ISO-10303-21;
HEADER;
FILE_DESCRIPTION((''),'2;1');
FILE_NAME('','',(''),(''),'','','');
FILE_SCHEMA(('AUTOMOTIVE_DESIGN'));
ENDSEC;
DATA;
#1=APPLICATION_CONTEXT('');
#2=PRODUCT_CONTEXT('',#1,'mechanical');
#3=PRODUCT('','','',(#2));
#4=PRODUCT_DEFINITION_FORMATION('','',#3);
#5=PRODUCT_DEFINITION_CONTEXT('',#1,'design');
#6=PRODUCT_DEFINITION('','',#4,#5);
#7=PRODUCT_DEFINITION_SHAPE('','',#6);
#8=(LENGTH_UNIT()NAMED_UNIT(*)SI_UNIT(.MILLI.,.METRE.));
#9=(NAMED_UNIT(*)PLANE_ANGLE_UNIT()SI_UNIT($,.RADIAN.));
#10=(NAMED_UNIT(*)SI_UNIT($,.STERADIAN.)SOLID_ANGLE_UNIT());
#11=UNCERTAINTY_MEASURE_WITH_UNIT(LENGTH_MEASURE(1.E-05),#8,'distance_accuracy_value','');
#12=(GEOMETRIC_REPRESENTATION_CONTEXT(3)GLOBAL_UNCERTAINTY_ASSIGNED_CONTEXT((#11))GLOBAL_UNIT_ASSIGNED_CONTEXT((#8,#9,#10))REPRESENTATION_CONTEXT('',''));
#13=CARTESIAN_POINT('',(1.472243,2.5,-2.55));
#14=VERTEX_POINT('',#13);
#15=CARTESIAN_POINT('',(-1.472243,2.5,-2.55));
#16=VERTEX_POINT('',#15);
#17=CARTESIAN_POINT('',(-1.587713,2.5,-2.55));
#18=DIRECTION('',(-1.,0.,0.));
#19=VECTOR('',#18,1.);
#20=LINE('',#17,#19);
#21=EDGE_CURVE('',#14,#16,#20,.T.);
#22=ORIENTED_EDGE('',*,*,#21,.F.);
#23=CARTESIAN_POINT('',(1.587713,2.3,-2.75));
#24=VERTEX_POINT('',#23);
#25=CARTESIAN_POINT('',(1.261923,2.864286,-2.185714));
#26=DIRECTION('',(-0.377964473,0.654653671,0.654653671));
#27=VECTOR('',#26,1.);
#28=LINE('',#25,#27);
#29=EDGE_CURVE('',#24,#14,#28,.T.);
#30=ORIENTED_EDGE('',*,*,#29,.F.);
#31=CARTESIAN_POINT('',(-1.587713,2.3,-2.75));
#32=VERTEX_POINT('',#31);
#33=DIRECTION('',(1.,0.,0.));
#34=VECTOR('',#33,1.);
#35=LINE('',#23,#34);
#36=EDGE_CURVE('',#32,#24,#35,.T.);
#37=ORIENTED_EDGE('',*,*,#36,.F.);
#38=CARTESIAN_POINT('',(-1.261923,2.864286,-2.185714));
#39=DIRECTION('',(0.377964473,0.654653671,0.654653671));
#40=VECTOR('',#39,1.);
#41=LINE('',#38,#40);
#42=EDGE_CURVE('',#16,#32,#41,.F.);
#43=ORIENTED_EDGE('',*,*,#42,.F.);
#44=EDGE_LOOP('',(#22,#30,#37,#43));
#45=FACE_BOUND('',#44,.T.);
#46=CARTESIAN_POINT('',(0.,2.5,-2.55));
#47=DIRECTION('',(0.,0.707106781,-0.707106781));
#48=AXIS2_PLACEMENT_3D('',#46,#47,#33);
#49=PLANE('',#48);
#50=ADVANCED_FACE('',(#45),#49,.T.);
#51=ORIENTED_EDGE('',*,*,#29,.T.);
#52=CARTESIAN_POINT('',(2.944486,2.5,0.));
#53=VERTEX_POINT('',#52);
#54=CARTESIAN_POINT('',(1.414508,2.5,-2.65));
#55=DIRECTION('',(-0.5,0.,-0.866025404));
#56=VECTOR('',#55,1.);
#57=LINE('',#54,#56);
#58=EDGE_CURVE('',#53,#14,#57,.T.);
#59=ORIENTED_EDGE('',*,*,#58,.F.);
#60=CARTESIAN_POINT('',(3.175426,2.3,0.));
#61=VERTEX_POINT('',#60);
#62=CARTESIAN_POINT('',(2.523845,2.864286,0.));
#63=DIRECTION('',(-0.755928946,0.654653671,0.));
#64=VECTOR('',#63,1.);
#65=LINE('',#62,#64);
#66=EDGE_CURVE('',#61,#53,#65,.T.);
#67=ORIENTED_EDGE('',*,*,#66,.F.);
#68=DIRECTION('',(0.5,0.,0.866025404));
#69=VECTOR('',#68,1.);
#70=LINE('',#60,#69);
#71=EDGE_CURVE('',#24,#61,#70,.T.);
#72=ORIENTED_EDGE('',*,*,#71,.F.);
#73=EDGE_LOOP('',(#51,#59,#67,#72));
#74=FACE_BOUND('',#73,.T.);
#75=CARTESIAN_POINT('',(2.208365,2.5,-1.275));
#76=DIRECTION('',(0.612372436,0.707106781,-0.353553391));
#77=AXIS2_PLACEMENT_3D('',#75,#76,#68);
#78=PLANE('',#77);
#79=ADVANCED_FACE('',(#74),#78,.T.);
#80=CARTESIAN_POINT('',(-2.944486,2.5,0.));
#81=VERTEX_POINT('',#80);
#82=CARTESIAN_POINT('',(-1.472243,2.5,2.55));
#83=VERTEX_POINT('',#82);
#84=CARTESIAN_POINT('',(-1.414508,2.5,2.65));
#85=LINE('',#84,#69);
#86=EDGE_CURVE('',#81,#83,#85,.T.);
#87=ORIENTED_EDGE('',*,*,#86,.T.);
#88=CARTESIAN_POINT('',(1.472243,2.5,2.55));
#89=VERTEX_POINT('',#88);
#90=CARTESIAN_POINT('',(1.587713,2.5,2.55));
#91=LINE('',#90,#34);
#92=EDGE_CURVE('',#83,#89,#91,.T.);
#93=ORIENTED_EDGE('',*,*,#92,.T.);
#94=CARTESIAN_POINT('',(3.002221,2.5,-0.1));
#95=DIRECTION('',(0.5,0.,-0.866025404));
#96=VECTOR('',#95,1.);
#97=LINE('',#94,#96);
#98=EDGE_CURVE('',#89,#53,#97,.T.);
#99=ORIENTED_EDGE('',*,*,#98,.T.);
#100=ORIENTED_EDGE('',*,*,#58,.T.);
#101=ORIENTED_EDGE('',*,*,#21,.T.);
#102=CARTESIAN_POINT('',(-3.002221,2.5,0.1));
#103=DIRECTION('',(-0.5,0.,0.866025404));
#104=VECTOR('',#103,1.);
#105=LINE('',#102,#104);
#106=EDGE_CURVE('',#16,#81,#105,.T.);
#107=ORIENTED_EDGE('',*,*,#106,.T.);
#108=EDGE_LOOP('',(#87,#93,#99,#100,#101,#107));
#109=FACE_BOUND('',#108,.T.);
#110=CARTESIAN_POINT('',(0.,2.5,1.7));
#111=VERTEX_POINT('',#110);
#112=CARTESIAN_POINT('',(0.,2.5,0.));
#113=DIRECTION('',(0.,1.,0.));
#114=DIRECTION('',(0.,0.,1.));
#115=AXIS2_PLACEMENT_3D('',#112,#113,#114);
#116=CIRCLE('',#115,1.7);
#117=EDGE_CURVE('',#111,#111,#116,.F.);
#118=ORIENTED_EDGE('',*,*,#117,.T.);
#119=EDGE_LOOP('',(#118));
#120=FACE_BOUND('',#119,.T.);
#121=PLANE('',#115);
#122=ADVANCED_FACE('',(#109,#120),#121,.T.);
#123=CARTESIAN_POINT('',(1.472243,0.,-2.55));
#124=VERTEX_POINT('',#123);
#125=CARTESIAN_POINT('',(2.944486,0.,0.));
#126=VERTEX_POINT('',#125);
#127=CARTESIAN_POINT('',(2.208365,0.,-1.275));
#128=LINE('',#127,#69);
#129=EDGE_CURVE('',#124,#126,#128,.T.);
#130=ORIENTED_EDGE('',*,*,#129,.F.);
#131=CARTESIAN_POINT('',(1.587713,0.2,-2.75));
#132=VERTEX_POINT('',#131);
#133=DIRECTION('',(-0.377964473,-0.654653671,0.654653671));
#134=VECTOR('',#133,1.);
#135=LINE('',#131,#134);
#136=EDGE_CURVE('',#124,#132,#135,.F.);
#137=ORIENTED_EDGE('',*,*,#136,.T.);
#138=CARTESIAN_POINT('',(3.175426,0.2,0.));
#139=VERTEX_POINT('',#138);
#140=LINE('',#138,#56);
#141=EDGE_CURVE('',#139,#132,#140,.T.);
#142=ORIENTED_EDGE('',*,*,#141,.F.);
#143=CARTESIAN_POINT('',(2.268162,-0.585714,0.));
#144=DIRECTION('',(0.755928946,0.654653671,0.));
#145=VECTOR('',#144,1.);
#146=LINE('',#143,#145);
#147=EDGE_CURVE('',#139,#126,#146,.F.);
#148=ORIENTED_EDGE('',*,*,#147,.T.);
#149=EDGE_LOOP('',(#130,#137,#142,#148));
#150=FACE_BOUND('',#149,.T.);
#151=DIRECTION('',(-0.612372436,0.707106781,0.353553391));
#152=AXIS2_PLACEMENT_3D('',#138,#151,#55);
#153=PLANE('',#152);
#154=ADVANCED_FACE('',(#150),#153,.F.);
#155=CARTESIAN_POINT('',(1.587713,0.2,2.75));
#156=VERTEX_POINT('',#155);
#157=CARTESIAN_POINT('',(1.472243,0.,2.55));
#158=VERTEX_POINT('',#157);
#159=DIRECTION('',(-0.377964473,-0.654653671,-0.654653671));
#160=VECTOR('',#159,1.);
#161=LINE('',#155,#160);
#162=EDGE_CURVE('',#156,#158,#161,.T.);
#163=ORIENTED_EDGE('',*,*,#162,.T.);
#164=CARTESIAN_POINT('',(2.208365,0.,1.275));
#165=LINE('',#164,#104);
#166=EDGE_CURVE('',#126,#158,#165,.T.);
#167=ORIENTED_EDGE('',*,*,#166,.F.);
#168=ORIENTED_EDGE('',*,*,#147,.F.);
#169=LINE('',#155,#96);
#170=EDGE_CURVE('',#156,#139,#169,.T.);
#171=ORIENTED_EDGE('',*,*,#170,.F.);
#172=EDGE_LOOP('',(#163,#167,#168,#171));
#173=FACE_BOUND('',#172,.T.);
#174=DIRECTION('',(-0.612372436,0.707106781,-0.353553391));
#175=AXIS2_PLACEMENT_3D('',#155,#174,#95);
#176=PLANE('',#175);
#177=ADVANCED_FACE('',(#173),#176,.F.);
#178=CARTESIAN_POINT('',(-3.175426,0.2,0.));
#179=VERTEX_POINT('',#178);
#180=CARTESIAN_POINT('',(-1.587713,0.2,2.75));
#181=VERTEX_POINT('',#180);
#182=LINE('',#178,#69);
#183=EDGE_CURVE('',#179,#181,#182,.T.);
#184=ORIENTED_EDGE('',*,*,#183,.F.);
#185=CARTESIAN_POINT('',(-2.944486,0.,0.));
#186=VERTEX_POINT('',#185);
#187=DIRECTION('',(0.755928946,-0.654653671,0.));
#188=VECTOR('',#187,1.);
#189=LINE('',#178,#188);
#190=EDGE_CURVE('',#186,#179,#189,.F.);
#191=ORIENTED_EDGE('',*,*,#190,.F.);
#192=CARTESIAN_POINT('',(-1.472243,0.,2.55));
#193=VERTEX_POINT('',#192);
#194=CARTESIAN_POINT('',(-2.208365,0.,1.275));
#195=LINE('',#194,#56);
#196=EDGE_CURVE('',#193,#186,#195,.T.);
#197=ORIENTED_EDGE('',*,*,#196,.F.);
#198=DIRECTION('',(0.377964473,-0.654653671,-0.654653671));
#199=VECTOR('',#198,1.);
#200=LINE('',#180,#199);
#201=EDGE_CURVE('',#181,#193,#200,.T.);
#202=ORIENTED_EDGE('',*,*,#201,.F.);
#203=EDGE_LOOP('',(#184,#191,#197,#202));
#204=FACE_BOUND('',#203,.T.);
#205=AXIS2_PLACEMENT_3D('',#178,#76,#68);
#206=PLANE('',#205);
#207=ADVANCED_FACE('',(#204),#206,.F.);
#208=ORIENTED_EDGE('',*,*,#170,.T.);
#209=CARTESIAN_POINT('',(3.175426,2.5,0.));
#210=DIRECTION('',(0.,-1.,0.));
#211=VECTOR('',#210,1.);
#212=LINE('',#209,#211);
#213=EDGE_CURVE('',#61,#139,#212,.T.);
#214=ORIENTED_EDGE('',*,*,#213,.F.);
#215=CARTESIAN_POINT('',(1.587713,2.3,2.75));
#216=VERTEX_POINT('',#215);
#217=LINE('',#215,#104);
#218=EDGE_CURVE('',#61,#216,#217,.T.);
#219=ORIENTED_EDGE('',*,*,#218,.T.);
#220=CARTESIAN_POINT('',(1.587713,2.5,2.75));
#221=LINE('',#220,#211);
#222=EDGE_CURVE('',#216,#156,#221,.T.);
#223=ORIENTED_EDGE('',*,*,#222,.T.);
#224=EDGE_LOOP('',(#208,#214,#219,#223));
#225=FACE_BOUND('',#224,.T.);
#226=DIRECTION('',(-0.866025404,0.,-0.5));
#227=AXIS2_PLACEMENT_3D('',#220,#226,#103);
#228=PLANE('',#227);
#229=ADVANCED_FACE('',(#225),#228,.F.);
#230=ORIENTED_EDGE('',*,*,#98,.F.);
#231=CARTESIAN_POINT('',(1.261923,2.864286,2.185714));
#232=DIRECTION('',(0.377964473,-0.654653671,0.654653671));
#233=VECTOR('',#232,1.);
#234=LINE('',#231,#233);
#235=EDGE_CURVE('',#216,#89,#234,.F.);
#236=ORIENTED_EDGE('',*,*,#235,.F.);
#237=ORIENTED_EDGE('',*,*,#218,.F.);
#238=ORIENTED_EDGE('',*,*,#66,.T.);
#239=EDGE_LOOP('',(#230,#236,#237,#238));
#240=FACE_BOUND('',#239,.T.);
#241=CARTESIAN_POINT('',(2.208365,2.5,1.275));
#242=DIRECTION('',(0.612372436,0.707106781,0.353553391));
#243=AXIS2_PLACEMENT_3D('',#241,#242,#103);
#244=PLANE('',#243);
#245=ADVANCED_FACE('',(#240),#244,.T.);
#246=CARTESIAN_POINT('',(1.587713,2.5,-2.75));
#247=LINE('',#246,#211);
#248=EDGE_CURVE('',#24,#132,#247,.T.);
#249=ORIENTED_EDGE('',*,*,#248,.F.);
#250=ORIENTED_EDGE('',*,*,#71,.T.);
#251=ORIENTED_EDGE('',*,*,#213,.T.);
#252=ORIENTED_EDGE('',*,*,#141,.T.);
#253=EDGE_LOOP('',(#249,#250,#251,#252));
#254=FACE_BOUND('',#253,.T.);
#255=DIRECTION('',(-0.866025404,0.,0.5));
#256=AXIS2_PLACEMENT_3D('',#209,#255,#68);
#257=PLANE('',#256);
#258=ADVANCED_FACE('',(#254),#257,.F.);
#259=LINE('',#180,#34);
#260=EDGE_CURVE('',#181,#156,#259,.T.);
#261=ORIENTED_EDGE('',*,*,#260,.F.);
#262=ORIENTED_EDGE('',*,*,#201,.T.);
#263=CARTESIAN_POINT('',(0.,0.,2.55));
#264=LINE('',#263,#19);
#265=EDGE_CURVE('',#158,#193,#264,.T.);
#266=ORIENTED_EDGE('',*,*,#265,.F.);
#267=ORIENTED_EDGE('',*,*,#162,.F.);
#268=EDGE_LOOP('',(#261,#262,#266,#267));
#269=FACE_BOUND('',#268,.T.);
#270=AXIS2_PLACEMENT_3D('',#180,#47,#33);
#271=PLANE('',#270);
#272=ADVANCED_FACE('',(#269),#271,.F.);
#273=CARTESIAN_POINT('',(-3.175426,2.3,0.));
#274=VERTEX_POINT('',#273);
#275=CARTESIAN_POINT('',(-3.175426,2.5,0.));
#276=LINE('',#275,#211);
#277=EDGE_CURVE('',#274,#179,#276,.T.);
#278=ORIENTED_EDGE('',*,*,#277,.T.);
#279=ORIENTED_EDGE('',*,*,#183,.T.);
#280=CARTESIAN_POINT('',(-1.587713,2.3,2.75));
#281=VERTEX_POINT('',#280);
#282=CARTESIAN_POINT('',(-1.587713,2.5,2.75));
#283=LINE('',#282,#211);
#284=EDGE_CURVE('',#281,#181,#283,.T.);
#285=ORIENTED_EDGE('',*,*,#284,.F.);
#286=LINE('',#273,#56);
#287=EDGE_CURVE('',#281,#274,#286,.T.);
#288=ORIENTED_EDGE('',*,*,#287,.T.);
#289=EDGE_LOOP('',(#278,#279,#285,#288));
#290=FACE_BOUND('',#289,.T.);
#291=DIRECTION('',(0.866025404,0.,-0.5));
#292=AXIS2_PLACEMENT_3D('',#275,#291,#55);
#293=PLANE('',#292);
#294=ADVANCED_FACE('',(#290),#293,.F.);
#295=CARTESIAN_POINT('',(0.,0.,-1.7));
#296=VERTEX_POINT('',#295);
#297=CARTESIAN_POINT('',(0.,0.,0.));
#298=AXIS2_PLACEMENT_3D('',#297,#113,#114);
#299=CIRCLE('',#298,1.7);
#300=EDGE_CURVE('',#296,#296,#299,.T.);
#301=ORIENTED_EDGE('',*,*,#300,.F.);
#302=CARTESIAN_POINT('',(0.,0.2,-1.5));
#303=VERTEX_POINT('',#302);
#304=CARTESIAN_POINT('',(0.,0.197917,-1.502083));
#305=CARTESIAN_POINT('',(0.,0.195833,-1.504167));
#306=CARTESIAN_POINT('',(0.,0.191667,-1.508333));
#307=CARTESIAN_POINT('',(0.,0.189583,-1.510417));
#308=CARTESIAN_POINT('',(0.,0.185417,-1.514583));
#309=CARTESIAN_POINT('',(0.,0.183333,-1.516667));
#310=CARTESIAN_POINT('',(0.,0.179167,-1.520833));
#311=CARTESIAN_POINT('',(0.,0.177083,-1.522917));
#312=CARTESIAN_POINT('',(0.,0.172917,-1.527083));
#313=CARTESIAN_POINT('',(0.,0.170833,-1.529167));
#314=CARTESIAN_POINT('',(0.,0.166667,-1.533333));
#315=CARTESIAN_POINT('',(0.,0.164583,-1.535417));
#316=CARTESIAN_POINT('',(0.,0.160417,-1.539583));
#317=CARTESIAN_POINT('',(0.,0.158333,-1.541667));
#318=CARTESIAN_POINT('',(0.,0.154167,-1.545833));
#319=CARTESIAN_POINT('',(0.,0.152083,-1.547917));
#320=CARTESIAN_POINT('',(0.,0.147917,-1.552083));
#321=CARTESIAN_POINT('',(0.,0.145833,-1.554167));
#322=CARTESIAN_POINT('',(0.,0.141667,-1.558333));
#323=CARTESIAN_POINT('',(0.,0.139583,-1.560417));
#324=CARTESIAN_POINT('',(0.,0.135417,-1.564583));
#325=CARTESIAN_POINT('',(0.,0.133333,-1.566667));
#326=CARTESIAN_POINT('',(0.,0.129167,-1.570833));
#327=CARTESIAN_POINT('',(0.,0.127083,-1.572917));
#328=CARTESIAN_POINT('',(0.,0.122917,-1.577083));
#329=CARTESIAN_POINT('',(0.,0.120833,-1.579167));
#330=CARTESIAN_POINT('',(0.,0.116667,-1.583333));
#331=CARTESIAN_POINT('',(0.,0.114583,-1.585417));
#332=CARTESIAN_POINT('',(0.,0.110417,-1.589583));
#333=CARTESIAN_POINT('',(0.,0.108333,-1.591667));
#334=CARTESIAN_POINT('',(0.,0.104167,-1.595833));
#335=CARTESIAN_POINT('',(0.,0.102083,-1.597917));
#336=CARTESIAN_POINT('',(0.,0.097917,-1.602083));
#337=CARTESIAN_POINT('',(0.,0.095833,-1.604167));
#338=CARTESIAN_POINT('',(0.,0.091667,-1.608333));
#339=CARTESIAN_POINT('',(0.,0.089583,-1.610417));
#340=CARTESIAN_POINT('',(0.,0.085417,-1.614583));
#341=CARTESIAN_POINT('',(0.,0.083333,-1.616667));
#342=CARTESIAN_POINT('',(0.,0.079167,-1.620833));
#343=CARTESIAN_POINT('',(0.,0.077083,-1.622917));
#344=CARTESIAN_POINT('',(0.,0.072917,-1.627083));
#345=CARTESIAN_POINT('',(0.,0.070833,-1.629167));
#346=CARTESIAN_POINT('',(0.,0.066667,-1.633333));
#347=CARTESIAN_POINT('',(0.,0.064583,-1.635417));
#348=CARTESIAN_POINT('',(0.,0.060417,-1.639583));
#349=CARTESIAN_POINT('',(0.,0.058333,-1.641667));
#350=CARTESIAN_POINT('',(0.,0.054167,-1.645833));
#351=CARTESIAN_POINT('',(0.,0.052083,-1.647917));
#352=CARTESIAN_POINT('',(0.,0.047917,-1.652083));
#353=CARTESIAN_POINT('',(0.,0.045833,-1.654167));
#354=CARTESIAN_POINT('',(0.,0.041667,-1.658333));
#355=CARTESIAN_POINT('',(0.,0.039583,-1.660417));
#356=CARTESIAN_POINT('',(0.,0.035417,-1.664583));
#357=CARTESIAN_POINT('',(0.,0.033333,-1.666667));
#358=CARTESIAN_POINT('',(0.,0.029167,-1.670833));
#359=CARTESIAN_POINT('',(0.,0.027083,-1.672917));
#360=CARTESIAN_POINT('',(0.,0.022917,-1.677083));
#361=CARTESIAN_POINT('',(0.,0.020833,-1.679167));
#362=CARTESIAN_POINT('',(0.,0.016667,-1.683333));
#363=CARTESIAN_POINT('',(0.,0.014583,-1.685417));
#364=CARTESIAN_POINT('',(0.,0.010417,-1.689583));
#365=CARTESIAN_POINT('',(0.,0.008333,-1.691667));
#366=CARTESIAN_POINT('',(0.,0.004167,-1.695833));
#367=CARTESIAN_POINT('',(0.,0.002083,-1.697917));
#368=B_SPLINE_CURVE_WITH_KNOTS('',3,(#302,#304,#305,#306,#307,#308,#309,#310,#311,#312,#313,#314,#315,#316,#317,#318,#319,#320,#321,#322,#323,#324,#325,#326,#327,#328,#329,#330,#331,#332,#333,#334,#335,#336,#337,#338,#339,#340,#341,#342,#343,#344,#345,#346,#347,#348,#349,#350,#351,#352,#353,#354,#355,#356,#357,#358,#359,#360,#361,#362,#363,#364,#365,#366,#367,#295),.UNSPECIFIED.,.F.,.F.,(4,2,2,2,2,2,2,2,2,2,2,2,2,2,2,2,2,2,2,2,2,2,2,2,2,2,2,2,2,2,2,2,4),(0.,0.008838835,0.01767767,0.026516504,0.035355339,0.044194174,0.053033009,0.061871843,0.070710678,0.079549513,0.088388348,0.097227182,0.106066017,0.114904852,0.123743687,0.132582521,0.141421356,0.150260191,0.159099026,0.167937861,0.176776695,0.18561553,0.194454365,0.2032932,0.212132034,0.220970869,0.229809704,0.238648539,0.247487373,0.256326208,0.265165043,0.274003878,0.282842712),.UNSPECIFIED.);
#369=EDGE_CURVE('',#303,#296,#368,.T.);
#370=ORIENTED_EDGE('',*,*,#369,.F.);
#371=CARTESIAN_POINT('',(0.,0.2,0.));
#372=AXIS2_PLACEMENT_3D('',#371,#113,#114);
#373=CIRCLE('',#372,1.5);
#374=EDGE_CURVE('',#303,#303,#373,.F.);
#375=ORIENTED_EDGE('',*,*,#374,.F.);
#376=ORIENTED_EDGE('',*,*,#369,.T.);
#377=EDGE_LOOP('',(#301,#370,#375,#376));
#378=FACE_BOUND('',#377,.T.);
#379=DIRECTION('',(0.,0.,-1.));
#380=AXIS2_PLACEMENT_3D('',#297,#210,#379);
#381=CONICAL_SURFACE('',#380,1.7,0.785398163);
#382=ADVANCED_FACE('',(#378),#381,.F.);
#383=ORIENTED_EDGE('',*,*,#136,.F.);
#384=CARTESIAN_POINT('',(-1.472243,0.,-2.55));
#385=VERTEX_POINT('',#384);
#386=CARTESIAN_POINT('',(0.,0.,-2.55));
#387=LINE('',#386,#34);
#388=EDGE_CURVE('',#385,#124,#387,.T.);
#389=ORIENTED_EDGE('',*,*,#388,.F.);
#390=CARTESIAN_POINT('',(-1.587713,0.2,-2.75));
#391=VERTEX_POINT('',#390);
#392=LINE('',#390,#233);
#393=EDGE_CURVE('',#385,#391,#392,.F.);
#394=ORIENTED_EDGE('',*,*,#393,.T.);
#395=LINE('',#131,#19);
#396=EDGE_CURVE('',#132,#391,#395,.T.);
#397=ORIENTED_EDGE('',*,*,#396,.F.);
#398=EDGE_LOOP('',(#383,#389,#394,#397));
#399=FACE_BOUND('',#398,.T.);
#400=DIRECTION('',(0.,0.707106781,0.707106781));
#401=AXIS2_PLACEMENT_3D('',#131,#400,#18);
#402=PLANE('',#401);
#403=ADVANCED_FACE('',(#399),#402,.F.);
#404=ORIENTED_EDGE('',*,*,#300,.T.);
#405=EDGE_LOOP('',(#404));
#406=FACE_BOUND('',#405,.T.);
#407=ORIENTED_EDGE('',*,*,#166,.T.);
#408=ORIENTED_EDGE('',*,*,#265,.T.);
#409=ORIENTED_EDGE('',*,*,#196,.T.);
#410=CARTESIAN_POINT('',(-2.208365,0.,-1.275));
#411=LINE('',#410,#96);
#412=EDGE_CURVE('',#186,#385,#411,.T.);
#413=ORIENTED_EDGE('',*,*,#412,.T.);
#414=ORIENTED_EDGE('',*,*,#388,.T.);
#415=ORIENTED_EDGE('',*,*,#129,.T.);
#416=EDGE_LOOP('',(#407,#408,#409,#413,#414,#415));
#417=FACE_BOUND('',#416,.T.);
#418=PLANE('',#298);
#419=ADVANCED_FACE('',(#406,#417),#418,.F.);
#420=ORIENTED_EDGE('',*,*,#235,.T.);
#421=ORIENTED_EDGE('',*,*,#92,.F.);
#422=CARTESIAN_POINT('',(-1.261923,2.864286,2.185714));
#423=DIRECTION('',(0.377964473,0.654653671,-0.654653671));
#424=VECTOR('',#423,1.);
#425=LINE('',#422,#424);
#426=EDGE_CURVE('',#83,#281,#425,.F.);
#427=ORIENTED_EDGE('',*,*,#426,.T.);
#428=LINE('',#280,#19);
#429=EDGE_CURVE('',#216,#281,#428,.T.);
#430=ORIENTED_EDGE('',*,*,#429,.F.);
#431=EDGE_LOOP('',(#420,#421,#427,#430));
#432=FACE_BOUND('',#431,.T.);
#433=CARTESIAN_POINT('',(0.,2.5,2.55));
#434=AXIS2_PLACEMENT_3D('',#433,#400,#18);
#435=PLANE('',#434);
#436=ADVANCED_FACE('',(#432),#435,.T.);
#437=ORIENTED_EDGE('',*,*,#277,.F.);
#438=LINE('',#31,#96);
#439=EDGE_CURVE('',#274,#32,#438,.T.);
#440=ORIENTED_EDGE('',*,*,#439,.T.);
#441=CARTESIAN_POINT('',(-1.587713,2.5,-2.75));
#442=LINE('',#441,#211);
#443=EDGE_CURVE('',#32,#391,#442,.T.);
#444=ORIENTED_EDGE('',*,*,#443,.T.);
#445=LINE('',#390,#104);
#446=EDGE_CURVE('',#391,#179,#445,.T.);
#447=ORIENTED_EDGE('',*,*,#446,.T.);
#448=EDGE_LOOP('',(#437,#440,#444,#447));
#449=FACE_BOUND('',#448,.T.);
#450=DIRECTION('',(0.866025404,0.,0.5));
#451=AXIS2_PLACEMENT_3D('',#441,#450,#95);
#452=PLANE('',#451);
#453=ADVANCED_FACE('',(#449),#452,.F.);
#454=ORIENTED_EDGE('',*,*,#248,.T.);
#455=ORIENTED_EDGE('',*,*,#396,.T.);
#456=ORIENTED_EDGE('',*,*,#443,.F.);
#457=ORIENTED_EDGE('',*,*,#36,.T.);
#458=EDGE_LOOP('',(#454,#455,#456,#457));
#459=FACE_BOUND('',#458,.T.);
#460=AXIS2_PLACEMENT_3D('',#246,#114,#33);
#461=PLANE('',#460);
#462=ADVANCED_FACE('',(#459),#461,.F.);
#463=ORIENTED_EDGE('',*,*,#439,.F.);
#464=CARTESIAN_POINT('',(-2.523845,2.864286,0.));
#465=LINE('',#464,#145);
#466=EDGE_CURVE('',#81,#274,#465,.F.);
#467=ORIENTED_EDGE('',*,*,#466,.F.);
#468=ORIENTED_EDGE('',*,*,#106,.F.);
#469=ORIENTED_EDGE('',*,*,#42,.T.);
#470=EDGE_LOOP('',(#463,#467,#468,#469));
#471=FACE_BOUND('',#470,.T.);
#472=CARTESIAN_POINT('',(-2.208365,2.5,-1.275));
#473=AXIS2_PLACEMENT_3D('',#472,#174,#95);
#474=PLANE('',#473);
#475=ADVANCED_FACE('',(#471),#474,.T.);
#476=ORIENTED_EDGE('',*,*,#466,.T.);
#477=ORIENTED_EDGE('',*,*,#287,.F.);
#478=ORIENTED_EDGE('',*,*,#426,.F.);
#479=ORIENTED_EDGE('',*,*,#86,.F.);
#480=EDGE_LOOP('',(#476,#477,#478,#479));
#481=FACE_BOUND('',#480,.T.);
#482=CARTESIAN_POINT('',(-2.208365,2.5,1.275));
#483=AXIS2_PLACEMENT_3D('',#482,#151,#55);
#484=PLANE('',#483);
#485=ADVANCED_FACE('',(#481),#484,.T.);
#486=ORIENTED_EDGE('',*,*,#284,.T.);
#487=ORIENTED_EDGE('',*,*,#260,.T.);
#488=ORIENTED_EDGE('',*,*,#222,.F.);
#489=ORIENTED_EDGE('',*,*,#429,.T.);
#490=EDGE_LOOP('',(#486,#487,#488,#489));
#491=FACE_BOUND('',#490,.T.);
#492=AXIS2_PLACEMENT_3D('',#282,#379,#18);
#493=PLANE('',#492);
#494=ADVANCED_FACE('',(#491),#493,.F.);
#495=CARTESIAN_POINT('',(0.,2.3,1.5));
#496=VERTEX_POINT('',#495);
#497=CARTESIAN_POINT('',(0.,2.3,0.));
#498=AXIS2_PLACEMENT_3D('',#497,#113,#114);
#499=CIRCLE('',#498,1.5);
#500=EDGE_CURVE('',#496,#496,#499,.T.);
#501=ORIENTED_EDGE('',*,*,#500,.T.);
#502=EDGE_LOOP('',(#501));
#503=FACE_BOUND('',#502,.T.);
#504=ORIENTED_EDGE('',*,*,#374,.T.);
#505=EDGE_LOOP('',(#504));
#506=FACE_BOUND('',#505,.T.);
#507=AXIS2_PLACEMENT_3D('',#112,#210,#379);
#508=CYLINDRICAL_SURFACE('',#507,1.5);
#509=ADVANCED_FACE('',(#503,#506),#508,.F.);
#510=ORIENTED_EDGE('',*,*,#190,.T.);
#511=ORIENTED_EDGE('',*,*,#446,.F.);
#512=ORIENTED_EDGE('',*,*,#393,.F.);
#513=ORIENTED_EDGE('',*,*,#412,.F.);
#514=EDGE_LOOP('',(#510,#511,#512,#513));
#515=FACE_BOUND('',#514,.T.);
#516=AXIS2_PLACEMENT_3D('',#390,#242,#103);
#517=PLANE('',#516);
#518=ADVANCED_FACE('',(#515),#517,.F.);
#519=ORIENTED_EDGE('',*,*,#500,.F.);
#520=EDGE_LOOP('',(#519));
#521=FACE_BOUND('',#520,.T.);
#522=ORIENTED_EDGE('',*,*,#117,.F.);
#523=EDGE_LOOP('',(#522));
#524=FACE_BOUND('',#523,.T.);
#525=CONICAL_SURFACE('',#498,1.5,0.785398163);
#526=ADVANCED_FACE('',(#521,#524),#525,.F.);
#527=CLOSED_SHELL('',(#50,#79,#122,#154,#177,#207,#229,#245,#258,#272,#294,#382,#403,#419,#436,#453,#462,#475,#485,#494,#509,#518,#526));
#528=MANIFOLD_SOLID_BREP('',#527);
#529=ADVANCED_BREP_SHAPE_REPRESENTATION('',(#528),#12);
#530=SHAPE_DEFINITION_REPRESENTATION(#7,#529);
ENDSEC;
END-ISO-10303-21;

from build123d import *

# Parameters (mm, degrees)
SKETCH1_R           = 1.5
BOSS_EXTRUDE1_DEPTH = 2.5
CHAMFER1_SIZE       = 0.2


with BuildPart() as part:
    # Sketch1 → Boss-Extrude1 (new body)
    with BuildSketch(Plane(origin=(0, 0, 0), x_dir=(1, 0, 0), z_dir=(0, 1, 0))):
        Polygon((3.175426481, 0), (1.58771324, 2.75), (-1.58771324, 2.75), (-3.175426481, 0), (-1.58771324, -2.75), (1.58771324, -2.75), align=None)
        with Locations(Location((0, 0, 0), (0, 0, 270))):
            Circle(SKETCH1_R, mode=Mode.SUBTRACT)
    extrude(amount=BOSS_EXTRUDE1_DEPTH)

    # Chamfer1
    chamfer1_edges = [part.edges().sort_by_distance(p)[0] for p in [
        (0, 2.5, -2.75),
        (-2.38156986, 2.5, -1.375),
        (-2.38156986, 2.5, 1.375),
        (0, 0, -1.5),
        (0, 2.5, -1.5),
        (0, 2.5, 2.75),
        (2.38156986, 2.5, 1.375),
        (0, 0, 2.75),
        (-2.38156986, 0, 1.375),
        (-2.38156986, 0, -1.375),
        (2.38156986, 2.5, -1.375),
        (0, 0, -2.75),
        (2.38156986, 0, -1.375),
        (2.38156986, 0, 1.375),
    ]]
    chamfer(chamfer1_edges, length=CHAMFER1_SIZE)


solid = part.part
